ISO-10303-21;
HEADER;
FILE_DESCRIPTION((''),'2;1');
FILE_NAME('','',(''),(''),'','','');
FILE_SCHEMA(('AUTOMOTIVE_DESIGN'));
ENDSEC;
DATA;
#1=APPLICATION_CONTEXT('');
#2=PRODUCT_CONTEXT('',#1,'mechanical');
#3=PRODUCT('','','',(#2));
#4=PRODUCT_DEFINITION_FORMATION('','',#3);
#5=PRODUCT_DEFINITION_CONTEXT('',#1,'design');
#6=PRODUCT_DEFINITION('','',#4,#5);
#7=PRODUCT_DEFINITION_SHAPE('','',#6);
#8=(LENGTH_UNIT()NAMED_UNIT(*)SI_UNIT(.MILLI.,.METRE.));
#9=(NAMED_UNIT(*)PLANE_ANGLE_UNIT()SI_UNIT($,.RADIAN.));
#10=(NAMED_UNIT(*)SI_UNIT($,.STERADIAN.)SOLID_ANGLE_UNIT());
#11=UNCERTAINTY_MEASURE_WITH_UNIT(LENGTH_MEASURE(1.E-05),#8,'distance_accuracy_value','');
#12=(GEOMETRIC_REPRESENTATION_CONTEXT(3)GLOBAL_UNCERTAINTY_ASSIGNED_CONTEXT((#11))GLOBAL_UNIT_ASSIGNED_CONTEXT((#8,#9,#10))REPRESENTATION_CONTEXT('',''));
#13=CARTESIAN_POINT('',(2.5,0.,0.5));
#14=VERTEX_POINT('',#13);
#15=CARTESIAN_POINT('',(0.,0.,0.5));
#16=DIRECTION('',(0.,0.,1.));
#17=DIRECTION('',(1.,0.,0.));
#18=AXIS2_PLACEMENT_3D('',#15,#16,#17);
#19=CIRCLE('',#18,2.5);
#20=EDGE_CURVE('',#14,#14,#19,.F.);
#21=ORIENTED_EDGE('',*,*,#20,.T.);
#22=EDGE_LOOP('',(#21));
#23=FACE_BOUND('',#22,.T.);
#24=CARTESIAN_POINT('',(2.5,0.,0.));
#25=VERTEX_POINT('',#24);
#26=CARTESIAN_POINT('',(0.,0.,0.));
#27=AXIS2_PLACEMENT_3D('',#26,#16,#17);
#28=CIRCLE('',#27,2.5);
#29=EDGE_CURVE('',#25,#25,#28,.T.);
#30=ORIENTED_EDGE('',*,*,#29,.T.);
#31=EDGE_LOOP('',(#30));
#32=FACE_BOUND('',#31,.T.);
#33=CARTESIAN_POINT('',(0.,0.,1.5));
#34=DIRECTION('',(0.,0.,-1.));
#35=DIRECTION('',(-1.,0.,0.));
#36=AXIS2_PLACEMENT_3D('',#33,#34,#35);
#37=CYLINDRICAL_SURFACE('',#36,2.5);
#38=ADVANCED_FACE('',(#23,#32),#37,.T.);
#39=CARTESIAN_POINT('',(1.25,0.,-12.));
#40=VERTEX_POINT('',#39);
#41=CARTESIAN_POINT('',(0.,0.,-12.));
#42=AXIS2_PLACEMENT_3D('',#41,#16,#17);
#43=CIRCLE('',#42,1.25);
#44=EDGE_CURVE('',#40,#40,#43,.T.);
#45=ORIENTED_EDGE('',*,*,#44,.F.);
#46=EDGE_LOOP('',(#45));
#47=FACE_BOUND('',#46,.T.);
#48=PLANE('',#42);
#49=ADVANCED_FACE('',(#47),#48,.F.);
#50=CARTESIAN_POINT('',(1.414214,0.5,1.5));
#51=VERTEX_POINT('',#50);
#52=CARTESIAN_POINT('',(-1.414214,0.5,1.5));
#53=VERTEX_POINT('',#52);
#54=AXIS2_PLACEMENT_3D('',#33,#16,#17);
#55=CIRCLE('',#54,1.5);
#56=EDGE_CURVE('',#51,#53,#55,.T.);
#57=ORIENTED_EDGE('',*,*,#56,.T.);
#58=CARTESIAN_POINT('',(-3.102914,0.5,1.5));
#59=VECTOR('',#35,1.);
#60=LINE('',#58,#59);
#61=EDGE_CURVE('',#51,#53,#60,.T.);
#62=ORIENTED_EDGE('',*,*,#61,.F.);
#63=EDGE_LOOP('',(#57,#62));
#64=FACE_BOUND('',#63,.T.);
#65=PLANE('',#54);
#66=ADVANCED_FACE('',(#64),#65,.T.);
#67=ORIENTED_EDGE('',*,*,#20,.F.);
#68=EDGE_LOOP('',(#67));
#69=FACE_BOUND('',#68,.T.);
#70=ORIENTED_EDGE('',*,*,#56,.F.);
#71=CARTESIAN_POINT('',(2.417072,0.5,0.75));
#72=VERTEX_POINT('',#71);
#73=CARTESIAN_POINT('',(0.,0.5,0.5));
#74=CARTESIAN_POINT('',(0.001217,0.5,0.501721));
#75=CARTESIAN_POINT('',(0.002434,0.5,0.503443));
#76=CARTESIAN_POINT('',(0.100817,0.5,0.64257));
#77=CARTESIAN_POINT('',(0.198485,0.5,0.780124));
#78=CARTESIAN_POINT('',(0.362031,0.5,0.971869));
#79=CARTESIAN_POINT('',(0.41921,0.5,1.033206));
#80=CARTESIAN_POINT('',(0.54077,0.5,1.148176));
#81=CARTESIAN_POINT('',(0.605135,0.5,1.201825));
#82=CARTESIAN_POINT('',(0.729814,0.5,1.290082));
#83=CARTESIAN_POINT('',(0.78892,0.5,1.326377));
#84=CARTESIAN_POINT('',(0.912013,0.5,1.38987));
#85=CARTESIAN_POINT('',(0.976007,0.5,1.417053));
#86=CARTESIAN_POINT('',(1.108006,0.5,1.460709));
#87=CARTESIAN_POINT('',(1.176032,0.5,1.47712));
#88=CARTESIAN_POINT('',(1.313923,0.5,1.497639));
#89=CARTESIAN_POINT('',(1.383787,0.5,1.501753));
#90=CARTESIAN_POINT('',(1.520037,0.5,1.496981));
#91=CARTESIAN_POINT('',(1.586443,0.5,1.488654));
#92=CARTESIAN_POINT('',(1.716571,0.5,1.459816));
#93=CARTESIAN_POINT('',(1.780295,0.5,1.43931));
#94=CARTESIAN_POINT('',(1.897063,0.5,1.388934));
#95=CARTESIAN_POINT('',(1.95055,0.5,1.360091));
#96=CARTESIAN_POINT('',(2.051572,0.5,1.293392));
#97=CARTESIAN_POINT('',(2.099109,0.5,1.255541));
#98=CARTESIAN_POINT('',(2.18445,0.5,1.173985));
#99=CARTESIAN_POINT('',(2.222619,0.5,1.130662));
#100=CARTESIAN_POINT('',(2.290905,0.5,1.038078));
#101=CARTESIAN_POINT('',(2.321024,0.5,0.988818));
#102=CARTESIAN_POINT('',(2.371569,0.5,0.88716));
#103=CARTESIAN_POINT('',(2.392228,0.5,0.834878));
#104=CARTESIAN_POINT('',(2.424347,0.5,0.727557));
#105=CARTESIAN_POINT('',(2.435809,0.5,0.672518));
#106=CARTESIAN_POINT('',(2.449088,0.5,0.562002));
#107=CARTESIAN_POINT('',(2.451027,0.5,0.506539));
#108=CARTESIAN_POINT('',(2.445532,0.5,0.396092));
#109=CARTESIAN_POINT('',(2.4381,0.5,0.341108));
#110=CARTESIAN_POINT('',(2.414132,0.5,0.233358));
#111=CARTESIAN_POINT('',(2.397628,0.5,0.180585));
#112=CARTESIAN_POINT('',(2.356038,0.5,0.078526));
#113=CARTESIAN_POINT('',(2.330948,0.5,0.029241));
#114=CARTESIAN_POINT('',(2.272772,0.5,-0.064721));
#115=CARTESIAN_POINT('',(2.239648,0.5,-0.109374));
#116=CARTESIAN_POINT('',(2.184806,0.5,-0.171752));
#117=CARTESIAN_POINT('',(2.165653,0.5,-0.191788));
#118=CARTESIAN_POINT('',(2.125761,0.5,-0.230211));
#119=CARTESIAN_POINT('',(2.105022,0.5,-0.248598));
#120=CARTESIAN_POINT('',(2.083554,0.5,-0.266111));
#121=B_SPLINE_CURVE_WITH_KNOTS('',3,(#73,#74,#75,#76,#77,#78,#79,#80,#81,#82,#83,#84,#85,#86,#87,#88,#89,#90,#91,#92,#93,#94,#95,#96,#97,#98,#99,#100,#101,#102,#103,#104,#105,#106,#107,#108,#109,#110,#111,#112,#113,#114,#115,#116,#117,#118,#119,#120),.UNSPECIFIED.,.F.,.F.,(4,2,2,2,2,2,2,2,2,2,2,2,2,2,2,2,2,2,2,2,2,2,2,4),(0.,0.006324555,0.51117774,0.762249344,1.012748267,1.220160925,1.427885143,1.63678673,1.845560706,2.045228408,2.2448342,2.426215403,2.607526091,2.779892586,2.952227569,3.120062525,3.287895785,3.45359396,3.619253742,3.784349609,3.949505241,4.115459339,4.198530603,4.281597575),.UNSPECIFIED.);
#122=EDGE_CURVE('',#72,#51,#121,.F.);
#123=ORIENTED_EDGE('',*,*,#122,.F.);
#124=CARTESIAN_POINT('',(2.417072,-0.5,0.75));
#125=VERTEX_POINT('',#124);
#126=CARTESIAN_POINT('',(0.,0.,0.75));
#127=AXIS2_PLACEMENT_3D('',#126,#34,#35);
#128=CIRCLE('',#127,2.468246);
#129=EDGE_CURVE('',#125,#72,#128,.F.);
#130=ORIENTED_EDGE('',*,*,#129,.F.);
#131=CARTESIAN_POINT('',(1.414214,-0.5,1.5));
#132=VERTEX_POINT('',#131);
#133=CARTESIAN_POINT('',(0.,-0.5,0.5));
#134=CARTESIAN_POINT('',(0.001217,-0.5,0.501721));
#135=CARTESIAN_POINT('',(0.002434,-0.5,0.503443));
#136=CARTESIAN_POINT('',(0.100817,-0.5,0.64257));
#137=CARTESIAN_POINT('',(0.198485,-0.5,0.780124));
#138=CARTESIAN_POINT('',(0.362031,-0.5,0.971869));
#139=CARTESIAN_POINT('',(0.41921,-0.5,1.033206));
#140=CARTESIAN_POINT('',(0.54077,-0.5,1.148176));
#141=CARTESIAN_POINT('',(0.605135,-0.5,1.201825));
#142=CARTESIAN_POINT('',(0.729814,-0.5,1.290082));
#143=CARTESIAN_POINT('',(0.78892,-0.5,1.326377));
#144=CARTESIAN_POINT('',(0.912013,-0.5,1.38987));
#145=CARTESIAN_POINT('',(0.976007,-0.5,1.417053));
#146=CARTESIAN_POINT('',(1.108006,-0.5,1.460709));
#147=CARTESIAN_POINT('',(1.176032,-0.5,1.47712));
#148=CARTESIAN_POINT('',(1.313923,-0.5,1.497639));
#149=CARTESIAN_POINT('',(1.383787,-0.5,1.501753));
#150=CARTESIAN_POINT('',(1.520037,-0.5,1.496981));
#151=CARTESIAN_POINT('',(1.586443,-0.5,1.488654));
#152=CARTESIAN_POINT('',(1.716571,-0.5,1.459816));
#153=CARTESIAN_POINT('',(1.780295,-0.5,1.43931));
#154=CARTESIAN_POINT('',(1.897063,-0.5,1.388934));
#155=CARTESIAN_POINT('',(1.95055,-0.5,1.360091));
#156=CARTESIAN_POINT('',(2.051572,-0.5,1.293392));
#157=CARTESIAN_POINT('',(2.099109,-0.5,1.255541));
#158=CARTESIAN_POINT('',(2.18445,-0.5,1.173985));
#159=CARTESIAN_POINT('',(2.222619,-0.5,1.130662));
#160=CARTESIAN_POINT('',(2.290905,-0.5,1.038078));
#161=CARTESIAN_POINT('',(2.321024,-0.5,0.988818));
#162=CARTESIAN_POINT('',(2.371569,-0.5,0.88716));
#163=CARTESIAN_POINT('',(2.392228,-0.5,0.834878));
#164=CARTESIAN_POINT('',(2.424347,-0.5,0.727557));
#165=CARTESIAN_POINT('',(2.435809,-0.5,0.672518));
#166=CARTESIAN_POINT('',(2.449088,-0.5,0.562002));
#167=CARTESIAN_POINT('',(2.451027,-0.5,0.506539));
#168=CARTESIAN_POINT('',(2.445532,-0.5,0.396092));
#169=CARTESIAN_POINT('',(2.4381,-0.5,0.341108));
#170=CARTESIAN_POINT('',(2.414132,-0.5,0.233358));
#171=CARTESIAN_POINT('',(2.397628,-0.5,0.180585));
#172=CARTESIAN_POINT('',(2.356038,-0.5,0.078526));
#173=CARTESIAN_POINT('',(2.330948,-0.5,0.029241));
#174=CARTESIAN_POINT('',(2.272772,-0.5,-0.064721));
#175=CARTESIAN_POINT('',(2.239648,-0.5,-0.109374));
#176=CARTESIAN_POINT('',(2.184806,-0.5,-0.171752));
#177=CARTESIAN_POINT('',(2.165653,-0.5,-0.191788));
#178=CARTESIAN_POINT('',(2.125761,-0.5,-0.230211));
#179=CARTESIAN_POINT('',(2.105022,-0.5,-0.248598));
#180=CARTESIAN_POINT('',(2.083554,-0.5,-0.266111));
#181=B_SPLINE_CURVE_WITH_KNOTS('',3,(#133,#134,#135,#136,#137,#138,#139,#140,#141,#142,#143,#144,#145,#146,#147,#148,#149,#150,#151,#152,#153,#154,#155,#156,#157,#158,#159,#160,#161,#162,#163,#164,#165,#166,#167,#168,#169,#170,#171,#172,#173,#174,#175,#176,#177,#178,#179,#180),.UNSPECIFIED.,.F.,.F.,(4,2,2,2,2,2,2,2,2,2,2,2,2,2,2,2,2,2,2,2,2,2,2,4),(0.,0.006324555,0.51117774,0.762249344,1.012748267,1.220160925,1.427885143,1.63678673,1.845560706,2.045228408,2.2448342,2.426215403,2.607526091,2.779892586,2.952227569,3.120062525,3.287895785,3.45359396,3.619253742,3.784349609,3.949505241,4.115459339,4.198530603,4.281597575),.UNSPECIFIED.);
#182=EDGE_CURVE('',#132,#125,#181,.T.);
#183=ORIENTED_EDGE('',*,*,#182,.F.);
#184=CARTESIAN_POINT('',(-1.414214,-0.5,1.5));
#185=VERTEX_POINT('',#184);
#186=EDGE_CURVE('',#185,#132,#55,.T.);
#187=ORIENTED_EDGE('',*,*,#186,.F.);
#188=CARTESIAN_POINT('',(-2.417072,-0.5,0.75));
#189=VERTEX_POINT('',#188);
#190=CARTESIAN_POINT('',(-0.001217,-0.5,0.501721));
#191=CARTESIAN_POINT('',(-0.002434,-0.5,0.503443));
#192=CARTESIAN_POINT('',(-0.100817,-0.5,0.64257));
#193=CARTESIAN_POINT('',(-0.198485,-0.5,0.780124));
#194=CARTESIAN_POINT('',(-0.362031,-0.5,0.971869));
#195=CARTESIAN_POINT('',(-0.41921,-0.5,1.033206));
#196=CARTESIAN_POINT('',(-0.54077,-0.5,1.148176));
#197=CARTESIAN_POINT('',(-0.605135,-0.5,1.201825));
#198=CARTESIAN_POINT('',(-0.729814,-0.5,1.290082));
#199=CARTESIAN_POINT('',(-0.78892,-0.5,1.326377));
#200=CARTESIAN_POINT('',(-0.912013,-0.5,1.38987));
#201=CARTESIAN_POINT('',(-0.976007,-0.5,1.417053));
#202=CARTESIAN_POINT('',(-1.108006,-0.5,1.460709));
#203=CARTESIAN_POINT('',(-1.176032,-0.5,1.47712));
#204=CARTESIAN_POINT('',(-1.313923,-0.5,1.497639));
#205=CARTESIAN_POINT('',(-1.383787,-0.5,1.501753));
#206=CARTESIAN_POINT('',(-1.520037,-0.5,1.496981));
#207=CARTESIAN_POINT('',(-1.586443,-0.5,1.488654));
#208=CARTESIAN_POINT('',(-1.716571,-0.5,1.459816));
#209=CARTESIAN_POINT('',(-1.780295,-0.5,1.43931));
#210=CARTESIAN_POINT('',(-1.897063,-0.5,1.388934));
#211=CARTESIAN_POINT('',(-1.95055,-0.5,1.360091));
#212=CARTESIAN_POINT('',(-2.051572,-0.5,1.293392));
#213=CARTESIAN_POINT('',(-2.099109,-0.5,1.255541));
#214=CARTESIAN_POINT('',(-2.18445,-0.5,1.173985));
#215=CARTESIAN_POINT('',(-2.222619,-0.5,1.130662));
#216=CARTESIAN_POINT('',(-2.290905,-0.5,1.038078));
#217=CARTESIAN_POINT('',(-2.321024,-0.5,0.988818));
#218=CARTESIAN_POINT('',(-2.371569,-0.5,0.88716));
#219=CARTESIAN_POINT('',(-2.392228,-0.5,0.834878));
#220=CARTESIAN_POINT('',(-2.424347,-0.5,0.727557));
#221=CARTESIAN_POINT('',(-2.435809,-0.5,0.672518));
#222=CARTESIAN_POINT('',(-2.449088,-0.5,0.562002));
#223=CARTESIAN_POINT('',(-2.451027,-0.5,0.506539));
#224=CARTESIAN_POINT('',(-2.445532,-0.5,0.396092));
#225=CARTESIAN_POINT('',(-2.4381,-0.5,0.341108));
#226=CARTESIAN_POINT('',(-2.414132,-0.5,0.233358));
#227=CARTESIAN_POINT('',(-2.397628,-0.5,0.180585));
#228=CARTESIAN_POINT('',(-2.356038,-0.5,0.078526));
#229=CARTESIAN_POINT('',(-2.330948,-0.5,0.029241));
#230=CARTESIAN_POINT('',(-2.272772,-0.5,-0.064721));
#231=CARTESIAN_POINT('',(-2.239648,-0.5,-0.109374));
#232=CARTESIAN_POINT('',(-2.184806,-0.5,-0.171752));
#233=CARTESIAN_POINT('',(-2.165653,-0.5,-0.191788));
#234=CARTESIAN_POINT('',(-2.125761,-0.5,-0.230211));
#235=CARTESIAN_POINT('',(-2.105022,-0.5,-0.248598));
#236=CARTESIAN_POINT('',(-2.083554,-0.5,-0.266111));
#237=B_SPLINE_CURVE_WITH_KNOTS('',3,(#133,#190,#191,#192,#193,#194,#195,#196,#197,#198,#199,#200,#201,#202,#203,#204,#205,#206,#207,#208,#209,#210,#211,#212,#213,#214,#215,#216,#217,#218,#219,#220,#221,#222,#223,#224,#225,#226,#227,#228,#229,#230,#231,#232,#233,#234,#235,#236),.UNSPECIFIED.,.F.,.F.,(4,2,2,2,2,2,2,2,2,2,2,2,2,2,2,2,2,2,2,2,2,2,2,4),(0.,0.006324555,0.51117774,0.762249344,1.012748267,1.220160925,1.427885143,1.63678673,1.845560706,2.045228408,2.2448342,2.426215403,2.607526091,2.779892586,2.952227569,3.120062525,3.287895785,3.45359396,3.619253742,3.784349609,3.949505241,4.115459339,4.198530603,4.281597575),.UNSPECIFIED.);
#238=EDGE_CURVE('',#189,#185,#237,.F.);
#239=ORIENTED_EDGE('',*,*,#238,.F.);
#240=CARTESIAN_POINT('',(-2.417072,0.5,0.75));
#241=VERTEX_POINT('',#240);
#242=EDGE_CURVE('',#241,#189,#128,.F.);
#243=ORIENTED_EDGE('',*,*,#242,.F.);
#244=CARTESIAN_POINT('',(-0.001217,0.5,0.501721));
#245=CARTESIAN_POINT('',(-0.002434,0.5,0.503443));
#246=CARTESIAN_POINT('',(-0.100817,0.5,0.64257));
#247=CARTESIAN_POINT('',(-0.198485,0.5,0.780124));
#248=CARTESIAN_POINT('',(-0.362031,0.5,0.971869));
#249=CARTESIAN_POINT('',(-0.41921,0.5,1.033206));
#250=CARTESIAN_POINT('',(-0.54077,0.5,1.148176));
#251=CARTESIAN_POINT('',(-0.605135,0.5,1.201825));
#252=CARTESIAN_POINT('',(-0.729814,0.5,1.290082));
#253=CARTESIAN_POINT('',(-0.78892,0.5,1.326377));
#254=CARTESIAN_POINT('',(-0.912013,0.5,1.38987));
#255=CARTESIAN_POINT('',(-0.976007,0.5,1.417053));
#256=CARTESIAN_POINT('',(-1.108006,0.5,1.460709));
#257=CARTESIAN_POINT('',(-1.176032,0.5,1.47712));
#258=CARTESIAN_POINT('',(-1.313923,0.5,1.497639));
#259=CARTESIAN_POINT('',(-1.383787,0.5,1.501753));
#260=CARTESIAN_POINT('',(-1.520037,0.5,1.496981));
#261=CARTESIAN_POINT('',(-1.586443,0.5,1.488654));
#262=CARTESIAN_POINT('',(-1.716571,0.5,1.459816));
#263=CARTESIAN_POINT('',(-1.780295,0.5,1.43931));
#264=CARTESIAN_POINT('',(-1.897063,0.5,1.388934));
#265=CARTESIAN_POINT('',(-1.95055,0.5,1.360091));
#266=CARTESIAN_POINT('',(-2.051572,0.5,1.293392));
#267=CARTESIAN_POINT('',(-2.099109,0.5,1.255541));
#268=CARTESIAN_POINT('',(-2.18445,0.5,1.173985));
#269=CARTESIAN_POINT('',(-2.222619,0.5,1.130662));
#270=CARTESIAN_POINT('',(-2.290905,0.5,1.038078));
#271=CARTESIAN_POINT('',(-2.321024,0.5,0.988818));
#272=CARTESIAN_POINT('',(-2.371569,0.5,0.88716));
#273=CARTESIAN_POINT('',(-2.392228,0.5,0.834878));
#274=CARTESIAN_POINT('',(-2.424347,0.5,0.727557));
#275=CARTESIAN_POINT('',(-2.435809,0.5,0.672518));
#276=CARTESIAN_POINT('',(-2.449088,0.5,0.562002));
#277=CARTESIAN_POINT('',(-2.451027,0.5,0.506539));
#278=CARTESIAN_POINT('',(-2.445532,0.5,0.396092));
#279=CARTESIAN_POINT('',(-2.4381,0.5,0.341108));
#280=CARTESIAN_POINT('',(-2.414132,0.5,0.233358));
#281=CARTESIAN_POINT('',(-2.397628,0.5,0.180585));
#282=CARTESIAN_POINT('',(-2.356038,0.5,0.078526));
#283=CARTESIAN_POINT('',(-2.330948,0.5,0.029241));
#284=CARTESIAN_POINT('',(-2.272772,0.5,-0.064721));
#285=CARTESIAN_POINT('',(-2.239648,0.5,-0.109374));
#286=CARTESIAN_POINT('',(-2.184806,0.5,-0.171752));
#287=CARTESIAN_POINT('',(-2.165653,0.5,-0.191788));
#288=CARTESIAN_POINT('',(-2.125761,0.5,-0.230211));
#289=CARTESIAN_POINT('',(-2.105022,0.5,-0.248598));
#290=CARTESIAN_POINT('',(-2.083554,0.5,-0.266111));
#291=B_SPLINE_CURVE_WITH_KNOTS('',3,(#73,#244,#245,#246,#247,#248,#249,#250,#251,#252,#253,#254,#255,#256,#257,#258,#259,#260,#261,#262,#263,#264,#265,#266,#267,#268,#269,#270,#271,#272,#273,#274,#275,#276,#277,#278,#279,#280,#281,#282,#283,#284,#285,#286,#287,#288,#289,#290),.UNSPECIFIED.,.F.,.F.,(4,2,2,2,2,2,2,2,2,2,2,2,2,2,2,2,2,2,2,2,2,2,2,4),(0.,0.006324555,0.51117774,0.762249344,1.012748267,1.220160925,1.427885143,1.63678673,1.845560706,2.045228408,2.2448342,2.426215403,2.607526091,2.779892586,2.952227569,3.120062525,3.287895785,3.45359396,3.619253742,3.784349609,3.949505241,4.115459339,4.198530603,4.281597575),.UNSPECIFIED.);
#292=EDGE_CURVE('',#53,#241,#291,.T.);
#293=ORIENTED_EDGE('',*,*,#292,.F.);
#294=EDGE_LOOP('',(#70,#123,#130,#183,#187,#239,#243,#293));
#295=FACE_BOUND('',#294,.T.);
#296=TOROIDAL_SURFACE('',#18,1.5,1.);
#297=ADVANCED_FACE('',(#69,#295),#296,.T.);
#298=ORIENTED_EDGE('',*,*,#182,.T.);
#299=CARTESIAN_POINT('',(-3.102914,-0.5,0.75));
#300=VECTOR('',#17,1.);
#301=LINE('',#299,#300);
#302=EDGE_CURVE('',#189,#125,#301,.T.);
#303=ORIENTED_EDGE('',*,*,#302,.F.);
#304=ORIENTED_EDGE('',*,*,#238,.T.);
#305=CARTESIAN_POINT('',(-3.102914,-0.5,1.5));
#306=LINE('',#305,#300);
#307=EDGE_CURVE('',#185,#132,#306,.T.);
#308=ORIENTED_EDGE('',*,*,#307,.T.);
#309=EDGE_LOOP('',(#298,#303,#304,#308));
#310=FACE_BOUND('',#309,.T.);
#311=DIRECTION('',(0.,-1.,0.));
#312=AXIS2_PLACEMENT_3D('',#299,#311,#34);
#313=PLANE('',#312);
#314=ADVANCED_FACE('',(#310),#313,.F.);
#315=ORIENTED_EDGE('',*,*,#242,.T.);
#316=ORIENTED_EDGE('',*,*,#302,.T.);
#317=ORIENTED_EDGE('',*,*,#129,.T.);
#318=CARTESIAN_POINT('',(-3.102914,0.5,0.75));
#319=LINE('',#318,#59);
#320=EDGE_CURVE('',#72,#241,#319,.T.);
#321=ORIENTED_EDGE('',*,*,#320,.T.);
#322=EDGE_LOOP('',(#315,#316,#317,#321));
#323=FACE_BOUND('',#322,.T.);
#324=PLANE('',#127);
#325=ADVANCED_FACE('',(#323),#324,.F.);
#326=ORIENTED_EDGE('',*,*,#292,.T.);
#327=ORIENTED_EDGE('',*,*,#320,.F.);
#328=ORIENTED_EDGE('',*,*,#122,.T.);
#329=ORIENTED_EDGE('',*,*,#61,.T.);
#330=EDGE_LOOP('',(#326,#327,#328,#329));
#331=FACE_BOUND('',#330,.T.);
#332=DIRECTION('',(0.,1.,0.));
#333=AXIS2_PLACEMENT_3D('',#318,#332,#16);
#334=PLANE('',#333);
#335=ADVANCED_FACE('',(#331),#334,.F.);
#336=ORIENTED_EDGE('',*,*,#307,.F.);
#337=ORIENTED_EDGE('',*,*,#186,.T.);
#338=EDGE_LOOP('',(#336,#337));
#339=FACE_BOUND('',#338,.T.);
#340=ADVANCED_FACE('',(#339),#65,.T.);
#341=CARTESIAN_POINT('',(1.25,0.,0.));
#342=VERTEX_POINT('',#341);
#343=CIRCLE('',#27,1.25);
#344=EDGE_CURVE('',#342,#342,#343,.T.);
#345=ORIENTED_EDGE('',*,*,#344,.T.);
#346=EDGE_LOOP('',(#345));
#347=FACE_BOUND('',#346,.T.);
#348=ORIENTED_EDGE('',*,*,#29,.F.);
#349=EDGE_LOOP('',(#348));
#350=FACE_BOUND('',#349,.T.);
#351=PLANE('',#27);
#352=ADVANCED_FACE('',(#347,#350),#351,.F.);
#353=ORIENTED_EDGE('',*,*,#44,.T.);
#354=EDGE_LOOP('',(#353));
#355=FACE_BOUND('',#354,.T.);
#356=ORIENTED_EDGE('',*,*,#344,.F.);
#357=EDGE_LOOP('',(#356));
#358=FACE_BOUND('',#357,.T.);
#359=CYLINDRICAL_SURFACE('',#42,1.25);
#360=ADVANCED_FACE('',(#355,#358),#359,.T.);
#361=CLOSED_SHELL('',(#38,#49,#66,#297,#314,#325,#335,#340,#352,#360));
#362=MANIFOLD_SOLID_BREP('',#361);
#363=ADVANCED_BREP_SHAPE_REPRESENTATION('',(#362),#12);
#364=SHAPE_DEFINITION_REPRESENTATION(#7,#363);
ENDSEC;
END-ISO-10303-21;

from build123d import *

# Parameters (mm, degrees)
SKETCH2_R           = 1.25
BOSS_EXTRUDE1_DEPTH = 12
SKETCH3_R           = 2.5
BOSS_EXTRUDE2_DEPTH = 1.5
FILLET1_R           = 1
SKETCH4_W           = 6.108207577
SKETCH4_H           = 1
CUT_EXTRUDE1_DEPTH  = 0.75


with BuildPart() as part:
    # Sketch2 → Boss-Extrude1 (new body)
    with BuildSketch(Plane.XY):
        Circle(SKETCH2_R)
    extrude(amount=-BOSS_EXTRUDE1_DEPTH)

    # Sketch3 → Boss-Extrude2 (add)
    with BuildSketch(Plane.XY):
        Circle(SKETCH3_R)
    extrude(amount=BOSS_EXTRUDE2_DEPTH)

    # Fillet1
    fillet1_edges = [part.edges().sort_by_distance(p)[0] for p in [
        (-2.5, 0, 1.5),
    ]]
    fillet(fillet1_edges, radius=FILLET1_R)

    # Sketch4 → Cut-Extrude1 (cut)
    with BuildSketch(Plane.XY.offset(1.5)):
        with Locations((-0.048809877, 0)):
            Rectangle(SKETCH4_W, SKETCH4_H)
    extrude(amount=-CUT_EXTRUDE1_DEPTH, mode=Mode.SUBTRACT)


solid = part.part
